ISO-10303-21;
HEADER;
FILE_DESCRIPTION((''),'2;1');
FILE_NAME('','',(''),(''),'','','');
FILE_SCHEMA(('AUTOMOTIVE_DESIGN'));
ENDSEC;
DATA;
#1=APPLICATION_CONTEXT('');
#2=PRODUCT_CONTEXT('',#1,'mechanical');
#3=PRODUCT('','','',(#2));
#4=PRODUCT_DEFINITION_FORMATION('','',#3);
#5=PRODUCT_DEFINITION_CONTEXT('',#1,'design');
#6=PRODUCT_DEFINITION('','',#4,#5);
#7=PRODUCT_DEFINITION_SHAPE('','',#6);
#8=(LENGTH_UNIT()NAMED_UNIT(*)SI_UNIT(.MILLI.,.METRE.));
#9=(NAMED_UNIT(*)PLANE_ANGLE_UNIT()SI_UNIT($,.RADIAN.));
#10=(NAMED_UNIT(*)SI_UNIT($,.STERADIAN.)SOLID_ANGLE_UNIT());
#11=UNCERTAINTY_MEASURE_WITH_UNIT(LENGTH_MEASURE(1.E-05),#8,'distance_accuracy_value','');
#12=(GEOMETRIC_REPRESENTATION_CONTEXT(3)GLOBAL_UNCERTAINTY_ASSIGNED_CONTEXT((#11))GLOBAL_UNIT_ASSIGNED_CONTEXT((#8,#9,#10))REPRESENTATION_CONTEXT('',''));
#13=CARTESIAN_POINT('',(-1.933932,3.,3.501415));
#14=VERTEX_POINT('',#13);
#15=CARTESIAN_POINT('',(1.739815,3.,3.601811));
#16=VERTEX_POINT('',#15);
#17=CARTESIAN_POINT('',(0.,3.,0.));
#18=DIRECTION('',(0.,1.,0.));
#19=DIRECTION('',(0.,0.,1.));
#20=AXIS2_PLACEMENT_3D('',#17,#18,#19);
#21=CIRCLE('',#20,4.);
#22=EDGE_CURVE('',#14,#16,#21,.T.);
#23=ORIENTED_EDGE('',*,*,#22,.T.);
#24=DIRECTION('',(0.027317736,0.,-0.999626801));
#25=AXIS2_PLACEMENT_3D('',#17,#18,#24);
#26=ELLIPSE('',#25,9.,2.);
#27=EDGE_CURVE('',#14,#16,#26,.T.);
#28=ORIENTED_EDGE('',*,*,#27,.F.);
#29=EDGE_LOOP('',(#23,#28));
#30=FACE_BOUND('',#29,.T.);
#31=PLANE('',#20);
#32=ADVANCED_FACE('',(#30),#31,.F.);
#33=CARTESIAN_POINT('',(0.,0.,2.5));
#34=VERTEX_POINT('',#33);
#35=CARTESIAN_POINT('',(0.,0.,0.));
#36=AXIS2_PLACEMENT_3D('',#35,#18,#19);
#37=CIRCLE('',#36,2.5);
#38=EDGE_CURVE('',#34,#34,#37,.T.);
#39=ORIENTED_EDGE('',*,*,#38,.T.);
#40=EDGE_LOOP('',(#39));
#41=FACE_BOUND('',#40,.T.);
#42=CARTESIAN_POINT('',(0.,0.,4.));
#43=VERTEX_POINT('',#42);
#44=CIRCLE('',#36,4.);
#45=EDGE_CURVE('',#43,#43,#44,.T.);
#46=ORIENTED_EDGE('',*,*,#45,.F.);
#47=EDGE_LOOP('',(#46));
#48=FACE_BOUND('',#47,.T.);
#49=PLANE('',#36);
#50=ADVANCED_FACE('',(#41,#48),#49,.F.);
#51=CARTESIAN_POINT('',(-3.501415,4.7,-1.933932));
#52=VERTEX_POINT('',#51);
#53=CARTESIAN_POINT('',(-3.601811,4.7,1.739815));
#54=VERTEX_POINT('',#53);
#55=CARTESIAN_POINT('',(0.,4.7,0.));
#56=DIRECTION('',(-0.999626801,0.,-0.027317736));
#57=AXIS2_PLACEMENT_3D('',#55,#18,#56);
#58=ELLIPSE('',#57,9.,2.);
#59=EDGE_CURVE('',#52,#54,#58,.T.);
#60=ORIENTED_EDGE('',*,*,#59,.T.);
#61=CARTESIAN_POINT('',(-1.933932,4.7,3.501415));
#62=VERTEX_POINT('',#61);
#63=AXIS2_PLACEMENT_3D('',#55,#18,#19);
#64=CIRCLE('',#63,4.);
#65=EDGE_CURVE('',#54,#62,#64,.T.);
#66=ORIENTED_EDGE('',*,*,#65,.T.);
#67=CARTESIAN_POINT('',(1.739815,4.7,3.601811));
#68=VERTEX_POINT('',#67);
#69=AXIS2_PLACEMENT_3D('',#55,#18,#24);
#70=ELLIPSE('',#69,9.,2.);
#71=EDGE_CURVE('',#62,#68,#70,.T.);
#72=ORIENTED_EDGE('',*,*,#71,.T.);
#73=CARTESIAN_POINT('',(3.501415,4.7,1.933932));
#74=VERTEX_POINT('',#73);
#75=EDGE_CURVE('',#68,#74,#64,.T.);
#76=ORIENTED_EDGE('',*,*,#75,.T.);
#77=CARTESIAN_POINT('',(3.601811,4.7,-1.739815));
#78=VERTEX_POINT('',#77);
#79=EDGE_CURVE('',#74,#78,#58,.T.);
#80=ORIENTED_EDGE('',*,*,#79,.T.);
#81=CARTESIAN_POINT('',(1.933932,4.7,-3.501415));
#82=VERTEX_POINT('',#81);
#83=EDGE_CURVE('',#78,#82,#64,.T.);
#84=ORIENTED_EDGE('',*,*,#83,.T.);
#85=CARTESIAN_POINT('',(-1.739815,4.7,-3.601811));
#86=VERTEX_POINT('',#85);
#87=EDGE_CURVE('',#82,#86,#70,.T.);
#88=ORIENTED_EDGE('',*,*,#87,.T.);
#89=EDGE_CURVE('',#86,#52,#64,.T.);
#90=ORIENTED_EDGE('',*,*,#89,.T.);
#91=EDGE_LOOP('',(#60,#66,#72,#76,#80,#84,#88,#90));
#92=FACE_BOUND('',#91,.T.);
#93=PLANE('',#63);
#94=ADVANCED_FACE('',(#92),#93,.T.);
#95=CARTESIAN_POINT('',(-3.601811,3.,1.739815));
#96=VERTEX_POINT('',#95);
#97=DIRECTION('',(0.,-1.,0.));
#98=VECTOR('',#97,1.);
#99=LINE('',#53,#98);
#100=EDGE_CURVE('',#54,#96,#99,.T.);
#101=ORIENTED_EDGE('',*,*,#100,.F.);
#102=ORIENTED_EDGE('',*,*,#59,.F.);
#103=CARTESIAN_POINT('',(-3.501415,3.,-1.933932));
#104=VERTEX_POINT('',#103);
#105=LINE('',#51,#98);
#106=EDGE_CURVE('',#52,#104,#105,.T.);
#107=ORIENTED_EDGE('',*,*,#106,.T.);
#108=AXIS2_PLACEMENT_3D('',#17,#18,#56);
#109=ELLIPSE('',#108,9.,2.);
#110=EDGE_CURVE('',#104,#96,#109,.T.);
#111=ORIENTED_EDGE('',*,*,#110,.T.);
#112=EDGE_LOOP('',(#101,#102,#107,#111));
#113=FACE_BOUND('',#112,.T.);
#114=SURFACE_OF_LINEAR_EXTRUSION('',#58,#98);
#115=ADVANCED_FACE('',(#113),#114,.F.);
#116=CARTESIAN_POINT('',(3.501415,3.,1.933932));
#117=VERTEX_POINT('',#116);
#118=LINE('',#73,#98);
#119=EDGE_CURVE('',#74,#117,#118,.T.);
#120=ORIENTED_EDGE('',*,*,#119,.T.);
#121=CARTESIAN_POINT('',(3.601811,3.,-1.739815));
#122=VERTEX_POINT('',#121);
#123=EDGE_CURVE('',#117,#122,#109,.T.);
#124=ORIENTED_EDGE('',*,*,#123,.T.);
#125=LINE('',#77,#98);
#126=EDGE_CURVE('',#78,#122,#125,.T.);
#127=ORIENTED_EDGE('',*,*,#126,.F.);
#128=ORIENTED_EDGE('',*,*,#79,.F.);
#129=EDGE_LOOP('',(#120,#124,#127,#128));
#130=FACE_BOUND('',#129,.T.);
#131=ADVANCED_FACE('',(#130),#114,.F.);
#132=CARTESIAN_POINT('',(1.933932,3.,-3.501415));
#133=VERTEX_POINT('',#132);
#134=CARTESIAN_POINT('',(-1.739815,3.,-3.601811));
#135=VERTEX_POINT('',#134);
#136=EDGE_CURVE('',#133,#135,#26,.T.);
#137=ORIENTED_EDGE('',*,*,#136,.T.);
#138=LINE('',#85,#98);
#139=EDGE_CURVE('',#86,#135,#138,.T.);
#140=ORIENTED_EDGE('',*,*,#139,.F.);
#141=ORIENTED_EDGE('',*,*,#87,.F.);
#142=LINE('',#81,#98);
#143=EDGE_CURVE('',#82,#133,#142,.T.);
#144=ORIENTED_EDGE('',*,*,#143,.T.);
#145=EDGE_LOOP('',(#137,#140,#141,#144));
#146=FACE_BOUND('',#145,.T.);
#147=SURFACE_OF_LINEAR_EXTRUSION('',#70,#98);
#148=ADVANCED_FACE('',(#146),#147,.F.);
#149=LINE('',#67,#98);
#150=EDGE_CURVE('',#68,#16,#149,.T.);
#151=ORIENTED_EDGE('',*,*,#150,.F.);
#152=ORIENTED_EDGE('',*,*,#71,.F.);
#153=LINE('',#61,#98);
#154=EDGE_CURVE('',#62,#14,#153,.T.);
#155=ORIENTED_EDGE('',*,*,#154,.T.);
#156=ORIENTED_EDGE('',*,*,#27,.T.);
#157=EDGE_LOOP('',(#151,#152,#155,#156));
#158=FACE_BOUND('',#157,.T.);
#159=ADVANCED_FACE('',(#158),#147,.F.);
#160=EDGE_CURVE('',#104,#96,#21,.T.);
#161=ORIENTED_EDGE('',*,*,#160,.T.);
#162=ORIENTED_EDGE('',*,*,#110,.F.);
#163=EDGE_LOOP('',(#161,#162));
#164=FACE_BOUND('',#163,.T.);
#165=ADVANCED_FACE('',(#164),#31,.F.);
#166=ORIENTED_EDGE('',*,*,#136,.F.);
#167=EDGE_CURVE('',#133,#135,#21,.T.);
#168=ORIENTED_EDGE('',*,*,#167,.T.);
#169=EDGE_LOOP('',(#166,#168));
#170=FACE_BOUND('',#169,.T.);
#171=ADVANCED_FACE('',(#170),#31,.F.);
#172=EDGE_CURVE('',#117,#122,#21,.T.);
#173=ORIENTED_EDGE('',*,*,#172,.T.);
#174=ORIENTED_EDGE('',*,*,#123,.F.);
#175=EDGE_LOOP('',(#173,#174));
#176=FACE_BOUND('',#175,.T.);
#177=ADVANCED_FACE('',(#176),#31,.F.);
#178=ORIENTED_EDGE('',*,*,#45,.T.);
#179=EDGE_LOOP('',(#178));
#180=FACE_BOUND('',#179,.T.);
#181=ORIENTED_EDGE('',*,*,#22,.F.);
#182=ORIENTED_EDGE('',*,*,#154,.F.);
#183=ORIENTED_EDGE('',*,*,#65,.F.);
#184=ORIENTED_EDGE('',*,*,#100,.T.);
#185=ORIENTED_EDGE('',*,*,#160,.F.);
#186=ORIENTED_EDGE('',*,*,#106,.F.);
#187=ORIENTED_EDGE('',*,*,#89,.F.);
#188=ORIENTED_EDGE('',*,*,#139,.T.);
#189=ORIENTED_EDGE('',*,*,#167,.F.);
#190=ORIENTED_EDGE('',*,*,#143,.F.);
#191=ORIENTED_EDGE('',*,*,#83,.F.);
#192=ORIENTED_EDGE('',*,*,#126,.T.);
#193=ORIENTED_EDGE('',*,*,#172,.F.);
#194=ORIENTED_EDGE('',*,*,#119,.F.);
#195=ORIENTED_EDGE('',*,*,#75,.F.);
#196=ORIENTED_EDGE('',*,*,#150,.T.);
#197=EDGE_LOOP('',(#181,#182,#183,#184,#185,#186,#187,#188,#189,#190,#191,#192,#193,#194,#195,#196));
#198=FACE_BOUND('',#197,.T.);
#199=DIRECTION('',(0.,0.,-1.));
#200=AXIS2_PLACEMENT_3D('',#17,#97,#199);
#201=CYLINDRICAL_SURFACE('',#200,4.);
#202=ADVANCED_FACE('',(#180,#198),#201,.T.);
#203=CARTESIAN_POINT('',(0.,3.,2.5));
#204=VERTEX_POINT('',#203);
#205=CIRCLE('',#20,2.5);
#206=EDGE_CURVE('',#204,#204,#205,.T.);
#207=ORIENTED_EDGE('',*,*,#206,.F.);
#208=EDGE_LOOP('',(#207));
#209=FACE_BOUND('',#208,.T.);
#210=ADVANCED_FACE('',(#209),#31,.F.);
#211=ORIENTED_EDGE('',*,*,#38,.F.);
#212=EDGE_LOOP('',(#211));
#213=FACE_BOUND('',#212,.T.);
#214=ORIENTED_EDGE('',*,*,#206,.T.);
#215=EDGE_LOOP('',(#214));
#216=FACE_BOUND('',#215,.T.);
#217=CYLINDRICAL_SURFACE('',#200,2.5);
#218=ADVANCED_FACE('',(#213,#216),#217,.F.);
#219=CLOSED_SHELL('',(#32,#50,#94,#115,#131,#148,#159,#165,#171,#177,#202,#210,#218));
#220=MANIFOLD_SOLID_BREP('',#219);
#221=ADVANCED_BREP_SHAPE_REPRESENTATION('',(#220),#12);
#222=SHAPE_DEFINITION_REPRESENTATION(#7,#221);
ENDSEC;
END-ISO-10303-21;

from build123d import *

# Parameters (mm, degrees)
SKETCH_1_R      = 4
SKETCH_1_R_2    = 2.5
EXTRUDE_1_DEPTH = 3
SKETCH_2_R      = 4
EXTRUDE_2_DEPTH = 1.7


with BuildPart() as part:
    # 草图1 → 凸台-拉伸1 (new body)
    with BuildSketch(Plane(origin=(0, 0, 0), x_dir=(1, 0, 0), z_dir=(0, 1, 0))):
        with Locations(Location((0, 0, 0), (0, 0, 270))):
            Circle(SKETCH_1_R)
        with Locations(Location((0, 0, 0), (0, 0, 270))):
            Circle(SKETCH_1_R_2, mode=Mode.SUBTRACT)
    extrude(amount=EXTRUDE_1_DEPTH)

    # 草图2 → 凸台-拉伸2 (add)
    with BuildSketch(Plane(origin=(0, 3, 0), x_dir=(1, 0, 0), z_dir=(0, 1, 0))):
        with BuildLine():
            ThreePointArc((3.601811154, 1.73981505), (3.899182261, 0.892399962), (4, 0))
            ThreePointArc((4, 0), (3.873348744, -0.998583752), (3.501415245, -1.933931561))
            add(Edge.make_bspline(
                [(3.501415245, -1.933931561), (22.78951803, -0.622790472), (3.601811154, 1.73981505)],
                knots=[1.976614939, 1.976614939, 1.976614939, 4.306570368, 4.306570368, 4.306570368], degree=2, weights=[1, 0.394771017, 1]))
        make_face()
        with BuildLine():
            ThreePointArc((-1.73981505, 3.601811154), (0.109270946, 3.998507204), (1.933931561, 3.501415245))
            add(Edge.make_bspline(
                [(1.933931561, 3.501415245), (0.622790472, 22.78951803), (-1.73981505, 3.601811154)],
                knots=[5.118207593, 5.118207593, 5.118207593, 7.448163021, 7.448163021, 7.448163021], degree=2, weights=[1, 0.394771017, 1]))
        make_face()
        with BuildLine():
            ThreePointArc((-3.601811154, -1.73981505), (-3.998507204, 0.109270946), (-3.501415245, 1.933931561))
            add(Edge.make_bspline(
                [(-3.501415245, 1.933931561), (-22.78951803, 0.622790472), (-3.601811154, -1.73981505)],
                knots=[5.118207593, 5.118207593, 5.118207593, 7.448163021, 7.448163021, 7.448163021], degree=2, weights=[1, 0.394771017, 1]))
        make_face()
        with BuildLine():
            add(Edge.make_bspline(
                [(-1.933931561, -3.501415245), (-0.622790472, -22.78951803), (1.73981505, -3.601811154)],
                knots=[1.976614939, 1.976614939, 1.976614939, 4.306570368, 4.306570368, 4.306570368], degree=2, weights=[1, 0.394771017, 1]))
            ThreePointArc((1.73981505, -3.601811154), (-0.109270946, -3.998507204), (-1.933931561, -3.501415245))
        make_face()
        with Locations(Location((0, 0, 0), (0, 0, 115.782351759))):
            Circle(SKETCH_2_R)
    extrude(amount=EXTRUDE_2_DEPTH)


solid = part.part
